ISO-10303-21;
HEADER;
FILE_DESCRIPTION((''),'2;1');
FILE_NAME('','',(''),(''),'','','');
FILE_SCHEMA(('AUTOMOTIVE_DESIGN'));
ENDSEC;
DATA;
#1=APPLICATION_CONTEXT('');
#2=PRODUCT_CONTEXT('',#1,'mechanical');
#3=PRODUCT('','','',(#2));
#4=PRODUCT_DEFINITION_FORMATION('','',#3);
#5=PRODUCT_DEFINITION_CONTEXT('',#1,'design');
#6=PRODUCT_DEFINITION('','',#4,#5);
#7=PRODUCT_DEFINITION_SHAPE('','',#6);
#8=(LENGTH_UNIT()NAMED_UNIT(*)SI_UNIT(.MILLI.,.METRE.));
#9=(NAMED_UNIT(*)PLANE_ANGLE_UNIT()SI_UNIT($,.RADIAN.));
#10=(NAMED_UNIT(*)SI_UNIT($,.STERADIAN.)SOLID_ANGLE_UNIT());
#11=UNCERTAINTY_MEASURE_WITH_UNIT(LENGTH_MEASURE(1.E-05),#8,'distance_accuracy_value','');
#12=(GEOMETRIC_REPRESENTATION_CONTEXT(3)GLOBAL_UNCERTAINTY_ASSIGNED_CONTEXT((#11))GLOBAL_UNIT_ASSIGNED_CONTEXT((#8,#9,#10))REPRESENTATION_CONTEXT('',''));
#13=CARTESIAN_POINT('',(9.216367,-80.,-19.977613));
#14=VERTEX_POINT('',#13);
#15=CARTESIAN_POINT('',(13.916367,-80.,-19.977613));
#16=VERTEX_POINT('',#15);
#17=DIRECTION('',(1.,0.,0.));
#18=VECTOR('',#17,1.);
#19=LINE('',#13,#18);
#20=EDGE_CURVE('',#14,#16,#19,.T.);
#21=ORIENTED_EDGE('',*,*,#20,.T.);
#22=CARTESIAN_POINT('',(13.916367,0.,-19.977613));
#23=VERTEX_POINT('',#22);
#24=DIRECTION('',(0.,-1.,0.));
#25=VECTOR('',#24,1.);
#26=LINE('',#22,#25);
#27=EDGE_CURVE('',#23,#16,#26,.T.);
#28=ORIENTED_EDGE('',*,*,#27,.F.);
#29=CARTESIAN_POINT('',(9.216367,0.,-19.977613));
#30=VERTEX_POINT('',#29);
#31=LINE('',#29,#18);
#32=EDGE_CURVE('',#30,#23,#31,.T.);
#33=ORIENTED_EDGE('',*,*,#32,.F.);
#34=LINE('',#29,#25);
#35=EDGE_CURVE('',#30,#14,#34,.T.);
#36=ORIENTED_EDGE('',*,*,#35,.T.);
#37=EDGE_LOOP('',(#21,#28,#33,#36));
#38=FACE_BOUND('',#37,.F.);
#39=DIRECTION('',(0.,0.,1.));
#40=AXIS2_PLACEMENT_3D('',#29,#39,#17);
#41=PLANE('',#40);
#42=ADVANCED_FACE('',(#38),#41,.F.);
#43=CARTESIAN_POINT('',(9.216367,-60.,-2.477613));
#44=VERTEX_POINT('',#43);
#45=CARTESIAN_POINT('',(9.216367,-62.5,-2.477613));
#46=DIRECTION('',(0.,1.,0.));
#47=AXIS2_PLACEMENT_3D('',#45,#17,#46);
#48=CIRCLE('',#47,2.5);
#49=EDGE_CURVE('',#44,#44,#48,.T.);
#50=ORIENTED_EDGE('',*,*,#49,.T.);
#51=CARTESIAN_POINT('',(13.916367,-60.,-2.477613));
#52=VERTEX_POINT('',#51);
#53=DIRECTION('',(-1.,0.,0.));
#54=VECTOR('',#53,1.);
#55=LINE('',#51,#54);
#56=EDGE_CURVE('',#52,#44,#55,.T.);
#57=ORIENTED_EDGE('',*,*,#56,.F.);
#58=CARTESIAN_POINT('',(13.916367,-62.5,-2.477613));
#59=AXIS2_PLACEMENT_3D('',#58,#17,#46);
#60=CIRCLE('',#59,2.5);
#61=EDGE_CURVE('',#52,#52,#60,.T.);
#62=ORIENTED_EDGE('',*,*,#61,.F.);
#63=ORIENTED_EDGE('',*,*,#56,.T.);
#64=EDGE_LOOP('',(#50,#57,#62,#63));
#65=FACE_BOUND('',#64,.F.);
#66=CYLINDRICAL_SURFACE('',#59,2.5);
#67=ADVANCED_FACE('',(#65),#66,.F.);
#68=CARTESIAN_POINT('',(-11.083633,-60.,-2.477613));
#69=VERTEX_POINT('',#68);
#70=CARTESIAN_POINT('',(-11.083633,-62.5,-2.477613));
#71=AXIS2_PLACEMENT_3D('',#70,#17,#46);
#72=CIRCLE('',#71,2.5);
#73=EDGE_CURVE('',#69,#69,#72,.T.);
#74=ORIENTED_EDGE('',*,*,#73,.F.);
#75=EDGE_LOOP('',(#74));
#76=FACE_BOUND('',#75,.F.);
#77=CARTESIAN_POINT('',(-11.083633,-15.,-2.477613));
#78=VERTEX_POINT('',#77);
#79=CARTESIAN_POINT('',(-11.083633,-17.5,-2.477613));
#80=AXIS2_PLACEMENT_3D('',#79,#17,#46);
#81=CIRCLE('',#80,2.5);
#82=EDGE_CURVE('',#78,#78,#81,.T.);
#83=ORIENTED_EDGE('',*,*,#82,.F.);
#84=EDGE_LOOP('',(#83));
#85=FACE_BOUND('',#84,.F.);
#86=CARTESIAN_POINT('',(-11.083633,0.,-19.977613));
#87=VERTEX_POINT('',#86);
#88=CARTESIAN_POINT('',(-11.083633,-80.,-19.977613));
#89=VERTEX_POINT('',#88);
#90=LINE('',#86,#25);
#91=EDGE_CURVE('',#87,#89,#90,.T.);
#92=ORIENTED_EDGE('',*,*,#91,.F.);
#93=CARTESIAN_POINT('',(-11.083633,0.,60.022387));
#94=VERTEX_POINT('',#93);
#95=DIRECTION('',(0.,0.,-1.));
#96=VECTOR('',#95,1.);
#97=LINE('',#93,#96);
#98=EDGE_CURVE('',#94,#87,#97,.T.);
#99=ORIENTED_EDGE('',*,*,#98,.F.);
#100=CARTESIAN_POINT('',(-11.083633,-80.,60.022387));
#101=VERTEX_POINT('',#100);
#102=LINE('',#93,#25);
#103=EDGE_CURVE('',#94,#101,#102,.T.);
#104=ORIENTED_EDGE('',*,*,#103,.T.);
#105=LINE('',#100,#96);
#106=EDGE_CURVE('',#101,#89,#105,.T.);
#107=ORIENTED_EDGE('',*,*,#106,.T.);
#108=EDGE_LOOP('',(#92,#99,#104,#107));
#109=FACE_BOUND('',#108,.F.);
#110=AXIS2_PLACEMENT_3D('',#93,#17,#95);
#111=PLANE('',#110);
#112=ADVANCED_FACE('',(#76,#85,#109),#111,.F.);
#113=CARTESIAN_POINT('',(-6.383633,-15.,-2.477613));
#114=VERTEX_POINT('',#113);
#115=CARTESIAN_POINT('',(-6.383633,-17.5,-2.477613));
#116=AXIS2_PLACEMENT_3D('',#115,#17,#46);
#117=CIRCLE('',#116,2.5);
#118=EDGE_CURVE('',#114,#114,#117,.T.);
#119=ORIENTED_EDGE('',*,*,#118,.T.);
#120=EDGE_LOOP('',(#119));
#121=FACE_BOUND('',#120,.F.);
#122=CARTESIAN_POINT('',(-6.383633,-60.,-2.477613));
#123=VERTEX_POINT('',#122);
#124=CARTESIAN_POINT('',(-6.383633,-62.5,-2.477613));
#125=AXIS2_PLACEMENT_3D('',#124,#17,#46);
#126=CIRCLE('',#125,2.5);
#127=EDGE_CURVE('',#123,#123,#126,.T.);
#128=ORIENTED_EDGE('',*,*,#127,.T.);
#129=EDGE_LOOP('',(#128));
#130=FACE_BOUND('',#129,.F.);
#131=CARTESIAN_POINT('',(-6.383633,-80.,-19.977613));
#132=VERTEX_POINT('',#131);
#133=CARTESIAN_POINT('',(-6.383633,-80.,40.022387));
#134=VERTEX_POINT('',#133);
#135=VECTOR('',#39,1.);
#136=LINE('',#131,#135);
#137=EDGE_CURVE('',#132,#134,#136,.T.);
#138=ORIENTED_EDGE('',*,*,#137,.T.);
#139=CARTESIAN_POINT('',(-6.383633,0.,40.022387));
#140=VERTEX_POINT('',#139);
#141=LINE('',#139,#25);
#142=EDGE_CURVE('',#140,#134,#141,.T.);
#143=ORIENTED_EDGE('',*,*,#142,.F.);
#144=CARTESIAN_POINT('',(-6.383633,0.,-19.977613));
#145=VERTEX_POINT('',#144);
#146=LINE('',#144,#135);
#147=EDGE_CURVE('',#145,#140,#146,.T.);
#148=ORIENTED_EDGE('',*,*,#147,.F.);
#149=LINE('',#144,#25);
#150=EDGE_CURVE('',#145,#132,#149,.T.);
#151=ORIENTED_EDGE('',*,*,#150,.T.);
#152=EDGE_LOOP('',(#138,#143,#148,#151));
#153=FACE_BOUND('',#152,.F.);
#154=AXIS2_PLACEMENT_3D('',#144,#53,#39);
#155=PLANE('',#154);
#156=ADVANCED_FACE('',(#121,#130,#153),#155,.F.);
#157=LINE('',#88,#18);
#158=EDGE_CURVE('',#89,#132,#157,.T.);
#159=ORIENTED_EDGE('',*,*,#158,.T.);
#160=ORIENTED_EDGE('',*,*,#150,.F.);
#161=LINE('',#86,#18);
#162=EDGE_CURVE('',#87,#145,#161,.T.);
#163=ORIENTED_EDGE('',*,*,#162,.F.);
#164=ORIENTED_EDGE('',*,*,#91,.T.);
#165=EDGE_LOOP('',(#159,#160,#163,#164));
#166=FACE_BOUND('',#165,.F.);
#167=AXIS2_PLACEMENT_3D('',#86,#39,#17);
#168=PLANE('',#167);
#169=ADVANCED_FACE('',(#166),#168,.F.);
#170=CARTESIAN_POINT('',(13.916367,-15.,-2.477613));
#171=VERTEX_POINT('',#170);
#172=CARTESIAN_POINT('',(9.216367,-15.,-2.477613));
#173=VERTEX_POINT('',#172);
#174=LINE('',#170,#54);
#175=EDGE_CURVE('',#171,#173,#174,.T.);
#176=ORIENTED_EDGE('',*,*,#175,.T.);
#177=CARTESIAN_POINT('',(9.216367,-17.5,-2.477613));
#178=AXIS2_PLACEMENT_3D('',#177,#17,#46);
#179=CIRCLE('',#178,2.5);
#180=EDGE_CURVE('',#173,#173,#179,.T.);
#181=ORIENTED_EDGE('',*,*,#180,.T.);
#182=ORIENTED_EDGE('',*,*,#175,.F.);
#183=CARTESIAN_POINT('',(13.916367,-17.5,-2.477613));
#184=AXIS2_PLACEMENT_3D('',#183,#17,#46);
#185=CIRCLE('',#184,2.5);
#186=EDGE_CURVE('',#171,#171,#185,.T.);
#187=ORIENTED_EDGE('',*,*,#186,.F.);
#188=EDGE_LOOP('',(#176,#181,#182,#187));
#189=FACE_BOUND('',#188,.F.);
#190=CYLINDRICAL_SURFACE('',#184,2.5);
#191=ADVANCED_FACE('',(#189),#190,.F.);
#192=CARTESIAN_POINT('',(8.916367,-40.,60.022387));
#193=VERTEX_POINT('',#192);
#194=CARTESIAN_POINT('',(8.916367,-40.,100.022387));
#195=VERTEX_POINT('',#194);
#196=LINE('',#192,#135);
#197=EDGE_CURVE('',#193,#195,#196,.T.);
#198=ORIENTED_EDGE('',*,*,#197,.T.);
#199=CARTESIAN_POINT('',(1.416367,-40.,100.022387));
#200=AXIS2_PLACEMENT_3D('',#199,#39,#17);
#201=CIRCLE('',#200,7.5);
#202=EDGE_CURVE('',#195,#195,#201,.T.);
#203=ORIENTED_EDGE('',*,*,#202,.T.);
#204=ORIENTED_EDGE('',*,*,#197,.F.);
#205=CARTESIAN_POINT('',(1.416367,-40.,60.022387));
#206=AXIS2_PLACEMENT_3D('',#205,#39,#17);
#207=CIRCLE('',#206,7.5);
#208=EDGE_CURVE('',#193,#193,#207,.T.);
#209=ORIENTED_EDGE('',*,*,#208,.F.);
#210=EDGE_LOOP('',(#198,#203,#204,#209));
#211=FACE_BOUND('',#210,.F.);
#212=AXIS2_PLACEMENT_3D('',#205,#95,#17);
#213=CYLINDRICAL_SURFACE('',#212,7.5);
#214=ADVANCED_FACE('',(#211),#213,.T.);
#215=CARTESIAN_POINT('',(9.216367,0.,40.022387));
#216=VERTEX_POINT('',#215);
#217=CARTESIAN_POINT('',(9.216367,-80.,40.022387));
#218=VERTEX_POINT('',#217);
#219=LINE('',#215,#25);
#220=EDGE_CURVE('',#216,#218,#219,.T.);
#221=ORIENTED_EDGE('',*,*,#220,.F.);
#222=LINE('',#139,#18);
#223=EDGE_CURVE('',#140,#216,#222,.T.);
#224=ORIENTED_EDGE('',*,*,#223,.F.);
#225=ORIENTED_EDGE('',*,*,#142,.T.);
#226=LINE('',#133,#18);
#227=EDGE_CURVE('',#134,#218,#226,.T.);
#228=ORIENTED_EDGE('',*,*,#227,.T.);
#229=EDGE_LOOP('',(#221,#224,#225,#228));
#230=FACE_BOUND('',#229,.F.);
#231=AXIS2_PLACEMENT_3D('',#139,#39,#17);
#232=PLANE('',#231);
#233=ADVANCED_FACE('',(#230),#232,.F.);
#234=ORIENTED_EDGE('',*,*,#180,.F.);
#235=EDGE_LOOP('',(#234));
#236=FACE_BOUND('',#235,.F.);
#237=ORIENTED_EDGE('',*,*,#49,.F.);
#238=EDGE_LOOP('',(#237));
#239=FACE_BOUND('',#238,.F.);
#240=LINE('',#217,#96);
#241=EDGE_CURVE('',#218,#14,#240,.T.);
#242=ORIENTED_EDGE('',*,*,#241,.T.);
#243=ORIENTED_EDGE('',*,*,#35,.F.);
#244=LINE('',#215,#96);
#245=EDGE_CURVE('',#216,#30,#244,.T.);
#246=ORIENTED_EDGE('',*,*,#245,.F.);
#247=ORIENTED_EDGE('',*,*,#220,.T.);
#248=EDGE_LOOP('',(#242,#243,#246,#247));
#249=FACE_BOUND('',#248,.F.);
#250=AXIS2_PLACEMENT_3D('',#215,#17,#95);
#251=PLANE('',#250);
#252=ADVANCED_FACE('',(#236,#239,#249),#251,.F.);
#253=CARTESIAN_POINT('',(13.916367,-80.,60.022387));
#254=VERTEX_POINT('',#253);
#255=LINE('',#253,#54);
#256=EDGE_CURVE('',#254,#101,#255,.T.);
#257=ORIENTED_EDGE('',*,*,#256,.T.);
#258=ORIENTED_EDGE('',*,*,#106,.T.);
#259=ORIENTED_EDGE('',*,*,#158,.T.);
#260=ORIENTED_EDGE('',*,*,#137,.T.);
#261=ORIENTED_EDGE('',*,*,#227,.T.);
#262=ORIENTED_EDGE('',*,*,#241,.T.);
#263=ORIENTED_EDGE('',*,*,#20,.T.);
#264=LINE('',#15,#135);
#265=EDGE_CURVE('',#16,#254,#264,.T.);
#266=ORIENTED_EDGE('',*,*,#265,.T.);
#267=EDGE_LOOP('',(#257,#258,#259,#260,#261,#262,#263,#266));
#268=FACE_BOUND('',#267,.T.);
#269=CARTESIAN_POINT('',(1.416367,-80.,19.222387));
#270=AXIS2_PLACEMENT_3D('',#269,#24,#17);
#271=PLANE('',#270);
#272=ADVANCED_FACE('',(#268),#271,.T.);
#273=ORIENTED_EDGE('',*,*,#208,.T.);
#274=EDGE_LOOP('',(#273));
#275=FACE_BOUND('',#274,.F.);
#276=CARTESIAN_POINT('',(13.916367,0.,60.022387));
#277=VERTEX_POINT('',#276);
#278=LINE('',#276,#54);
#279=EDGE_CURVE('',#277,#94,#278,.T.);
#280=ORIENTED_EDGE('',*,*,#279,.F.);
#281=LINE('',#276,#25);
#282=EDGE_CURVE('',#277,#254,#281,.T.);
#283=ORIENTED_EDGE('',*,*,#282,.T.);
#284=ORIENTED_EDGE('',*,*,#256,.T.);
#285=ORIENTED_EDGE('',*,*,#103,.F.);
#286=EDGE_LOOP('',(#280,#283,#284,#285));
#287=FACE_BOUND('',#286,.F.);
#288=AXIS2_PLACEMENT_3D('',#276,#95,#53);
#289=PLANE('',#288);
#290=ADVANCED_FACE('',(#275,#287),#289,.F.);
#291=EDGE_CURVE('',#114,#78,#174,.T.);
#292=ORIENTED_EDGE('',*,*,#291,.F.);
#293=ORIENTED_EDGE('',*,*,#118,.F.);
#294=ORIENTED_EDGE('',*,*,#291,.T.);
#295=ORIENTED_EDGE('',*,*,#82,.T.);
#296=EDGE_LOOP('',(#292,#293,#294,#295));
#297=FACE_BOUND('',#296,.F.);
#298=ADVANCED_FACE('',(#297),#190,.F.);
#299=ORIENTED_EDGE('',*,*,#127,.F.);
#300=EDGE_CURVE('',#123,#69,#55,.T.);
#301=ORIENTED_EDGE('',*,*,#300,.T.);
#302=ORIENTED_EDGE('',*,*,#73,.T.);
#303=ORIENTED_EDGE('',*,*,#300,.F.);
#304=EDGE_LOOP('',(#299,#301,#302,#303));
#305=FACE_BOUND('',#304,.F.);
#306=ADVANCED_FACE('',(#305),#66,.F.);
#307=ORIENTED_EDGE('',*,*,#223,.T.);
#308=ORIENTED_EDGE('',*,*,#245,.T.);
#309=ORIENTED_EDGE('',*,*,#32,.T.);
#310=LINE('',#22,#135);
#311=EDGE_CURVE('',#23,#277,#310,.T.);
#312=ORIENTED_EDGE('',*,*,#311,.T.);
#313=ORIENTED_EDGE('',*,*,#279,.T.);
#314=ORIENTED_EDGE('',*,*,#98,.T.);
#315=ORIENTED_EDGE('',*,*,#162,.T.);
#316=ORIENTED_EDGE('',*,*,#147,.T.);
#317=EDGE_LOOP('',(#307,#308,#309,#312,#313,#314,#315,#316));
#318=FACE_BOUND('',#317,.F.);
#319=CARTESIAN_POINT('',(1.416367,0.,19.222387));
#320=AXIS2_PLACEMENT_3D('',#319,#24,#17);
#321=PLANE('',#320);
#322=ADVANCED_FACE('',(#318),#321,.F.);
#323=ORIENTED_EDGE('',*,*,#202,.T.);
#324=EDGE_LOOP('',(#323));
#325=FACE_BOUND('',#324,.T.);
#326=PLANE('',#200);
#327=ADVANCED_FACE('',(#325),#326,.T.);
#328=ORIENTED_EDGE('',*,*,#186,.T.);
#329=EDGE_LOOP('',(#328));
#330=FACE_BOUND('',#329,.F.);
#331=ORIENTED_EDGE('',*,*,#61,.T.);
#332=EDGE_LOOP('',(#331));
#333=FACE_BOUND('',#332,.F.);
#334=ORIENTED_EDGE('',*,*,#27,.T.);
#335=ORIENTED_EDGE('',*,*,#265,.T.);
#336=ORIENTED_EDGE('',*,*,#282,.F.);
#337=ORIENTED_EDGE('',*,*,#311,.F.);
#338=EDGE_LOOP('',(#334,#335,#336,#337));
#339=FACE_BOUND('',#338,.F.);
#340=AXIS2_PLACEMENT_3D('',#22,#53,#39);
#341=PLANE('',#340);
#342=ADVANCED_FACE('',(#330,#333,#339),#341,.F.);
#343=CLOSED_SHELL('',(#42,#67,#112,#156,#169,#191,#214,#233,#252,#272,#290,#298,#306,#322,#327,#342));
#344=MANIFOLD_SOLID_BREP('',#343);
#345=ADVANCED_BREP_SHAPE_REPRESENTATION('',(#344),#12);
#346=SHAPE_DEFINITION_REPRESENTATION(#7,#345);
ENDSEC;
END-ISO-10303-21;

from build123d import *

# Parameters (mm, degrees)
F1_DEPTH = 80
F2_R     = 7.5
F3_DEPTH = 40
F4_R     = 2.5
F5_DEPTH = 50


with BuildPart() as f1:
    # F0 (on Front) → F1 (new body)
    with BuildSketch(Plane.XZ):
        Polygon((13.916367, 60.022387), (-11.083633, 60.022387), (-11.083633, -19.977613), (-6.383633, -19.977613), (-6.383633, 40.022387), (9.216367, 40.022387), (9.216367, -19.977613), (13.916367, -19.977613), align=None)
    extrude(amount=F1_DEPTH)

    # F2 (on face) → F3 (join)
    with BuildSketch(Plane.XY.offset(60.022387)):
        with Locations((1.416367, -40)):
            Circle(F2_R)
    extrude(amount=F3_DEPTH)

    # F4 (on face) → F5 (cut)
    with BuildSketch(Plane.YZ.offset(13.916367)):
        with Locations((-62.5, -2.477613)):
            Circle(F4_R)
        with Locations((-17.5, -2.477613)):
            Circle(F4_R)
    extrude(amount=-F5_DEPTH, mode=Mode.SUBTRACT)


solid = f1.part
